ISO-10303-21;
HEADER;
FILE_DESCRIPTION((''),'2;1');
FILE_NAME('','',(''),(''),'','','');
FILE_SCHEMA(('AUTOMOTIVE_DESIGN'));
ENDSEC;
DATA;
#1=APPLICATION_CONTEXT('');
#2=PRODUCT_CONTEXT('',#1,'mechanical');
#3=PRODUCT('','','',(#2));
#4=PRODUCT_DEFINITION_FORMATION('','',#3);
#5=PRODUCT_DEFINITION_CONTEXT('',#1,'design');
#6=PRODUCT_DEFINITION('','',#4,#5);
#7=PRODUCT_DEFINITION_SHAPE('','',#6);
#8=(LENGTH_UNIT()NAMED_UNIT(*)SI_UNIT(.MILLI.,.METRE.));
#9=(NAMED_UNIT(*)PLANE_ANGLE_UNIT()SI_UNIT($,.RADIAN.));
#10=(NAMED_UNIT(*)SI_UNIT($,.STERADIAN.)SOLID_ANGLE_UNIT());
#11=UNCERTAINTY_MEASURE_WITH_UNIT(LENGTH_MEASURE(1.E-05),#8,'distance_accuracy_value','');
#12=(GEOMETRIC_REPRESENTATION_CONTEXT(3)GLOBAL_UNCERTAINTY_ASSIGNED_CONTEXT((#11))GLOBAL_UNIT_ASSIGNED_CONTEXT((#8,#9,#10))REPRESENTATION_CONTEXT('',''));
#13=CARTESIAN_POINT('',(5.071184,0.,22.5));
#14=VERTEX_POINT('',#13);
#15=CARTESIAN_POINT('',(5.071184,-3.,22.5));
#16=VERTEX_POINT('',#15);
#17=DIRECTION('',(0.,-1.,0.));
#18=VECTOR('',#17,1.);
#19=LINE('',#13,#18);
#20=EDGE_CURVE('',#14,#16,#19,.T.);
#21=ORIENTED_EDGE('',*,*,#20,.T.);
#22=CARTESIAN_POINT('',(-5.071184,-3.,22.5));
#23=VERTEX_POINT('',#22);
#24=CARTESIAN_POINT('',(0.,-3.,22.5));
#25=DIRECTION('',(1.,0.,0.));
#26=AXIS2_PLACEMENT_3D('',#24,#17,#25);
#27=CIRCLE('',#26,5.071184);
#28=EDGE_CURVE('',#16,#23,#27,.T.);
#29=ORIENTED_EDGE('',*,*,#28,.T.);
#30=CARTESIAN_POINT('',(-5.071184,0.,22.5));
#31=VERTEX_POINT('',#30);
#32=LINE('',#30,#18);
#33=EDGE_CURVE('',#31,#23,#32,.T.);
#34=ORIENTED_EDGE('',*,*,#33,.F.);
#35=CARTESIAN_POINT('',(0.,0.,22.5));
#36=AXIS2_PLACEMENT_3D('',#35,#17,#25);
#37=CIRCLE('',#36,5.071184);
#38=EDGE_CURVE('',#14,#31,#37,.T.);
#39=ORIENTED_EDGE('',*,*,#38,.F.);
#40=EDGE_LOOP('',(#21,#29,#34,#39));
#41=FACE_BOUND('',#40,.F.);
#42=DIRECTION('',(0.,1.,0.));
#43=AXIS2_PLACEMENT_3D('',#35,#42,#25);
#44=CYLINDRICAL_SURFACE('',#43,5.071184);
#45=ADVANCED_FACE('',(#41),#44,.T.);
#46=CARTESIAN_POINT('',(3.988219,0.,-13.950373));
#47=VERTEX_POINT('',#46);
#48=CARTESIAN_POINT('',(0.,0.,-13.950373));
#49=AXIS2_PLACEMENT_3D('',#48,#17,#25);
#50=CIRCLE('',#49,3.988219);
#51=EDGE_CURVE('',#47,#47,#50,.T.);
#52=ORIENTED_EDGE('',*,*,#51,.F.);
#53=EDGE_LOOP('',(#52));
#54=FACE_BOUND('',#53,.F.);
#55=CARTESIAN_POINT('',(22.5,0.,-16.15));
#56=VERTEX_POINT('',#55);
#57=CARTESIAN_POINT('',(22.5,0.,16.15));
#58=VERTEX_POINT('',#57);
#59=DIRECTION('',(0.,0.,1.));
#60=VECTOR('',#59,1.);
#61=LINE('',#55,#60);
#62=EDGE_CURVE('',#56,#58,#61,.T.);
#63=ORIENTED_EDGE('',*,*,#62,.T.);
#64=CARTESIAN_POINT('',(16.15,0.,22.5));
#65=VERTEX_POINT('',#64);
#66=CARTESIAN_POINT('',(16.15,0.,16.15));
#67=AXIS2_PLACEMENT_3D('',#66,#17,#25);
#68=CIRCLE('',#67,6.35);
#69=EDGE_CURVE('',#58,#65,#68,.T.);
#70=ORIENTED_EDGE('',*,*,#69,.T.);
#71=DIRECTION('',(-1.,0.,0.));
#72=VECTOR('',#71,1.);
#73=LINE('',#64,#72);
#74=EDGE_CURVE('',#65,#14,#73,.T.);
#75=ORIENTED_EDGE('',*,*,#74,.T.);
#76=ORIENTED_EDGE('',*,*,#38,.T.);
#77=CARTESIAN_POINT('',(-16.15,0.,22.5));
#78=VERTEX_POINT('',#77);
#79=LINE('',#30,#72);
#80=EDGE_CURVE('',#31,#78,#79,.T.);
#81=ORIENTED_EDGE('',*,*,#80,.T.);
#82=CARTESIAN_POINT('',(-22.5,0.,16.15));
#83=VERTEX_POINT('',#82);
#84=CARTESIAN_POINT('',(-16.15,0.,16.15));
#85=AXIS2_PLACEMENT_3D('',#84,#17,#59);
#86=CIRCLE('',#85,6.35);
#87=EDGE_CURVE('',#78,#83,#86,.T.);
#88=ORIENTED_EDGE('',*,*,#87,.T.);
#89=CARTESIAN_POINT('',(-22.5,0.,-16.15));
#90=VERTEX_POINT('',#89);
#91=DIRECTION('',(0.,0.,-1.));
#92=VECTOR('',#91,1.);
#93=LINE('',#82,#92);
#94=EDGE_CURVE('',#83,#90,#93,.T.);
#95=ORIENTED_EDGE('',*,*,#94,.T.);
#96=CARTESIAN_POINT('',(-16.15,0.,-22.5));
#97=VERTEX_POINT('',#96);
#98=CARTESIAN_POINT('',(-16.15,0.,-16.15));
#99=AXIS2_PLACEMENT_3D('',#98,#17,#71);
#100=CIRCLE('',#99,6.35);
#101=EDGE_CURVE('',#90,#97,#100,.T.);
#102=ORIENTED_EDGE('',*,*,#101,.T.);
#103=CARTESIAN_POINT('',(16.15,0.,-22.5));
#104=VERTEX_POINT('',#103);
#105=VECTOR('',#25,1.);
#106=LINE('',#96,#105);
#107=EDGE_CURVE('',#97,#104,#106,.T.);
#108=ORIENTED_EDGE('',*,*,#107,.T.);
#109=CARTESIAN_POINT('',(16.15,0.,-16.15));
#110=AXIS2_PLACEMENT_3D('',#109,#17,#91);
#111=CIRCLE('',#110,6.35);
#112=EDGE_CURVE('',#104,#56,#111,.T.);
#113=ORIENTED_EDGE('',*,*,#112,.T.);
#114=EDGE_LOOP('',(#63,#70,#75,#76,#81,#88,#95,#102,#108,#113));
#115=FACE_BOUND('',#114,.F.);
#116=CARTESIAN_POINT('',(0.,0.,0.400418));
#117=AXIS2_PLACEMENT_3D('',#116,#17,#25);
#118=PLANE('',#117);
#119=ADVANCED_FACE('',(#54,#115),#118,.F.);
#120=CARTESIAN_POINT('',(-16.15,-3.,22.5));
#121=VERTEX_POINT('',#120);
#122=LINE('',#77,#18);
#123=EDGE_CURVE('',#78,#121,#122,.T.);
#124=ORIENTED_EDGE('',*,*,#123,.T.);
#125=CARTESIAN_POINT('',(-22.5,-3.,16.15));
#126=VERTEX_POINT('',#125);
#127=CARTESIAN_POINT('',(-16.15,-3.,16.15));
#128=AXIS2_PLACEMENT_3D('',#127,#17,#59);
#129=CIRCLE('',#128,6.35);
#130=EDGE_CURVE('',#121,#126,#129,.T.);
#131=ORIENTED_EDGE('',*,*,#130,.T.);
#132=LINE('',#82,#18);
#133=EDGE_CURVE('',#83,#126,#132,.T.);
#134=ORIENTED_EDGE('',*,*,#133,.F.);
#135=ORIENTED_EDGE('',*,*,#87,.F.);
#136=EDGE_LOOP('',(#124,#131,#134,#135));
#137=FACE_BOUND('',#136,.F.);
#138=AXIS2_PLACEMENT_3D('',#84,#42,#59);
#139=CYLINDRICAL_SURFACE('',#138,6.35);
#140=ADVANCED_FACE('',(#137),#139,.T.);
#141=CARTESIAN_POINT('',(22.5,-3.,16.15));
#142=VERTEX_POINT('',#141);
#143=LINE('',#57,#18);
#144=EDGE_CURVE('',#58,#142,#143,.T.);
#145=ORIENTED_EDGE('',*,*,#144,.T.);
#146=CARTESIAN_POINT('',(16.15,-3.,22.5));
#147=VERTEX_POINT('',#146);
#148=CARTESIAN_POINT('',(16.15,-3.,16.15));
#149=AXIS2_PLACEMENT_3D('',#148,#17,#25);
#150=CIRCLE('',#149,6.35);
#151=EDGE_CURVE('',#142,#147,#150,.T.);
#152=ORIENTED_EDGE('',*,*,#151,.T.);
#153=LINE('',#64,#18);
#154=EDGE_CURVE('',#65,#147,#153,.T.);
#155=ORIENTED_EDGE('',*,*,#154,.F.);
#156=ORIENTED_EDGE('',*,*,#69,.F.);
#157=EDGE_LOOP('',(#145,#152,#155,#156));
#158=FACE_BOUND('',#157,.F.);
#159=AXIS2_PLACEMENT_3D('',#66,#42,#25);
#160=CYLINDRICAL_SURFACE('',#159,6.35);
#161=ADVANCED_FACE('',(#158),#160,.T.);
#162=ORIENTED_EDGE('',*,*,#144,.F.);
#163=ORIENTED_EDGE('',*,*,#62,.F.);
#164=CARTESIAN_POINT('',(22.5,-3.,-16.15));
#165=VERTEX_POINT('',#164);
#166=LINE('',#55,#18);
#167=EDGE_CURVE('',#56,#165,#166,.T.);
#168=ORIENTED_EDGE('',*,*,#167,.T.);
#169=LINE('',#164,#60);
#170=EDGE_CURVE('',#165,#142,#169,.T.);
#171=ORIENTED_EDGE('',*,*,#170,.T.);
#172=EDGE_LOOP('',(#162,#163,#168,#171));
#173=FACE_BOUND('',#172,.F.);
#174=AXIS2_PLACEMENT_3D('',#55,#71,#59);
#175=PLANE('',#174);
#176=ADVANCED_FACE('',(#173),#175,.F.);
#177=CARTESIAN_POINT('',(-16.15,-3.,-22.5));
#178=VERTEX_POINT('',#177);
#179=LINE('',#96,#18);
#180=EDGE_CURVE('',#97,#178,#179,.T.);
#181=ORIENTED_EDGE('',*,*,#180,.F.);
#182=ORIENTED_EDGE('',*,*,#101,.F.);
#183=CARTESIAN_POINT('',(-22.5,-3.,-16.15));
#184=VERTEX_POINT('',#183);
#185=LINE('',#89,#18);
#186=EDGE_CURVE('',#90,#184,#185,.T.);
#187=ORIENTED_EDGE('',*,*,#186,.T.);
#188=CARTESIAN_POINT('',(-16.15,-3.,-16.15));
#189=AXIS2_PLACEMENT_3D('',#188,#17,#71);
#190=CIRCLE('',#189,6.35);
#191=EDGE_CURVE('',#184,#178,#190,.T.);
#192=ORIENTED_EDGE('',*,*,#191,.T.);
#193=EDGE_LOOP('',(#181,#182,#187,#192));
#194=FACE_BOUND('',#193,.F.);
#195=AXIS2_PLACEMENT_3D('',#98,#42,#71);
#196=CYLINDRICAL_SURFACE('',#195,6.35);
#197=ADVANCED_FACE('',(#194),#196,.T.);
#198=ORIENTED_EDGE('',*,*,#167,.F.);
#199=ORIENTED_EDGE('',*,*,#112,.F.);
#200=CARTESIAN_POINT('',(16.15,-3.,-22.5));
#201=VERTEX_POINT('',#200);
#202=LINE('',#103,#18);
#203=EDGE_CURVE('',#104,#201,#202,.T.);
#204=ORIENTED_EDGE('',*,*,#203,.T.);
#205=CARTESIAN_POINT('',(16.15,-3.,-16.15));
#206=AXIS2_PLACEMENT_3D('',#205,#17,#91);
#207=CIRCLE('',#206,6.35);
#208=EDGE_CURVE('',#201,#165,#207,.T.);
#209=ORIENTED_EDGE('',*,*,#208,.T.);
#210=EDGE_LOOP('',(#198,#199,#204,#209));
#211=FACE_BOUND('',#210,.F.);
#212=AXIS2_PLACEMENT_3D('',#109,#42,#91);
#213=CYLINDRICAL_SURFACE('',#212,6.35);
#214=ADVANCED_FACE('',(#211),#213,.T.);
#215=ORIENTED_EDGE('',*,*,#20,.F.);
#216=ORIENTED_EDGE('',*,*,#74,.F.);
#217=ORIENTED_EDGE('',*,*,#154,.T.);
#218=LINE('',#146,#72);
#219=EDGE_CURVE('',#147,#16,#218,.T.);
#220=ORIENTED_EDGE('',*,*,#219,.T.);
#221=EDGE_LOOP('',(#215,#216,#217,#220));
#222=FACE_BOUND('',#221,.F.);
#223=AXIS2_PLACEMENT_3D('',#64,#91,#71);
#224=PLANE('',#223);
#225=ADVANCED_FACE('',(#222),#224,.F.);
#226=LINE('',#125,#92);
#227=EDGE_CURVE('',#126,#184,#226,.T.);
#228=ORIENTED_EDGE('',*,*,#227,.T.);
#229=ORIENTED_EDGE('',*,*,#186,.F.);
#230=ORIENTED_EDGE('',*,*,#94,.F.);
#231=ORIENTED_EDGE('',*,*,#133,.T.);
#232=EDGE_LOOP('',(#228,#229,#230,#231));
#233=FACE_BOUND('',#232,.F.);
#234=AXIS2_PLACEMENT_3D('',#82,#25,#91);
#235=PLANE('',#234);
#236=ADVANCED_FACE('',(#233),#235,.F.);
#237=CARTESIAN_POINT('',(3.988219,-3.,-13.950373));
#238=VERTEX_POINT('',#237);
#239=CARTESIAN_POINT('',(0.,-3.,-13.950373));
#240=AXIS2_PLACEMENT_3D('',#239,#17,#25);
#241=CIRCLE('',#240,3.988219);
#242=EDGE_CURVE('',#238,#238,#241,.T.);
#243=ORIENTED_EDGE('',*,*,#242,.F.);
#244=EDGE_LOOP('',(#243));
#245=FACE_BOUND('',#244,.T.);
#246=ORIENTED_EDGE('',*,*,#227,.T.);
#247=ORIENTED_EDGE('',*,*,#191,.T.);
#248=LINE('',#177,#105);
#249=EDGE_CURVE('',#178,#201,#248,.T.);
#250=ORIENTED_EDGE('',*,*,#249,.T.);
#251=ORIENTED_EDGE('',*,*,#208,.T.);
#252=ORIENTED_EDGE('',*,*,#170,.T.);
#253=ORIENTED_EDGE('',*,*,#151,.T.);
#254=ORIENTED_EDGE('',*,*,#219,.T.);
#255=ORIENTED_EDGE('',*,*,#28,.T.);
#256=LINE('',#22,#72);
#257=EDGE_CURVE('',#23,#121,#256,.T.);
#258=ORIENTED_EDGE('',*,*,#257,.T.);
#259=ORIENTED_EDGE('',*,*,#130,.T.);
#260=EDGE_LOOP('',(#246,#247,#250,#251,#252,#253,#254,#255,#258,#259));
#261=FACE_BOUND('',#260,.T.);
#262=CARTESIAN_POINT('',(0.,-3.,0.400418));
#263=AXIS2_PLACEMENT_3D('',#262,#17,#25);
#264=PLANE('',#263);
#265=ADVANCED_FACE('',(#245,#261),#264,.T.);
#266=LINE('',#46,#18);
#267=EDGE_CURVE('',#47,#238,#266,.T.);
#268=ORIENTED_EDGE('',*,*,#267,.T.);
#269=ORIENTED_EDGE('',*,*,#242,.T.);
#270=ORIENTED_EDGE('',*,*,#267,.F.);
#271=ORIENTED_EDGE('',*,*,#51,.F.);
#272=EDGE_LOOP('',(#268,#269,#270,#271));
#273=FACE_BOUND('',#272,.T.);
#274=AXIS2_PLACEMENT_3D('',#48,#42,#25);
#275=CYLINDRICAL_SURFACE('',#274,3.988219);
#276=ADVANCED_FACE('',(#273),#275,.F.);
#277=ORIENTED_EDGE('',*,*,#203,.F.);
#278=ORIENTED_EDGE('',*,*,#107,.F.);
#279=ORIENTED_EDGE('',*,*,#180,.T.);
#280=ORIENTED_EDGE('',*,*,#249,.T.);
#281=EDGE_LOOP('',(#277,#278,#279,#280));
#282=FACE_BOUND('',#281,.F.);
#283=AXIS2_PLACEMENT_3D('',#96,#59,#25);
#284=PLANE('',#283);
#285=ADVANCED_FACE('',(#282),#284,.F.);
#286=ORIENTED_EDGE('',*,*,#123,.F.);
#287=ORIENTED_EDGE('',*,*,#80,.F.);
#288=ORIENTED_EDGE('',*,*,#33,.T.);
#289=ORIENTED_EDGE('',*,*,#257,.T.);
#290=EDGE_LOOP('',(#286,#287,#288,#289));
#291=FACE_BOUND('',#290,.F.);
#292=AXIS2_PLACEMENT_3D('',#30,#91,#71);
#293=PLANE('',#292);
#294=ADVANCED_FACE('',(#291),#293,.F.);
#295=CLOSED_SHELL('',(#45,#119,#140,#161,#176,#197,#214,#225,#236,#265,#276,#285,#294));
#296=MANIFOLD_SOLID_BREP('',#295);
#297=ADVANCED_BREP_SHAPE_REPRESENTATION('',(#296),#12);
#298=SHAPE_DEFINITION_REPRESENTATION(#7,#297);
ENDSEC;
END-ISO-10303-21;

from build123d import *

# Parameters (mm, degrees)
F0_R     = 3.9882187516
F1_DEPTH = 3


with BuildPart() as f1:
    # F0 (on Front) → F1 (new body)
    with BuildSketch(Plane.XZ):
        with BuildLine():
            ThreePointArc((22.5, 16.15), (20.6401280605, 20.6401280605), (16.15, 22.5))
            Line((16.15, 22.5), (5.0711838848, 22.5))
            ThreePointArc((5.0711838848, 22.5), (0, 17.4288161152), (-5.0711838848, 22.5))
            Line((-5.0711838848, 22.5), (-16.15, 22.5))
            ThreePointArc((-16.15, 22.5), (-20.6401280605, 20.6401280605), (-22.5, 16.15))
            Line((-22.5, 16.15), (-22.5, -16.15))
            ThreePointArc((-22.5, -16.15), (-20.6401280605, -20.6401280605), (-16.15, -22.5))
            Line((-16.15, -22.5), (16.15, -22.5))
            ThreePointArc((16.15, -22.5), (20.6401280605, -20.6401280605), (22.5, -16.15))
            Line((22.5, -16.15), (22.5, 16.15))
        make_face()
        with Locations((0, -13.9503730461)):
            Circle(F0_R, mode=Mode.SUBTRACT)
        with BuildLine():
            Line((-5.0711838848, 22.5), (5.0711838848, 22.5))
            ThreePointArc((5.0711838848, 22.5), (0, 27.5711838848), (-5.0711838848, 22.5))
        make_face()
        with BuildLine():
            ThreePointArc((-5.0711838848, 22.5), (0, 17.4288161152), (5.0711838848, 22.5))
            Line((5.0711838848, 22.5), (-5.0711838848, 22.5))
        make_face()
    extrude(amount=F1_DEPTH)


solid = f1.part
